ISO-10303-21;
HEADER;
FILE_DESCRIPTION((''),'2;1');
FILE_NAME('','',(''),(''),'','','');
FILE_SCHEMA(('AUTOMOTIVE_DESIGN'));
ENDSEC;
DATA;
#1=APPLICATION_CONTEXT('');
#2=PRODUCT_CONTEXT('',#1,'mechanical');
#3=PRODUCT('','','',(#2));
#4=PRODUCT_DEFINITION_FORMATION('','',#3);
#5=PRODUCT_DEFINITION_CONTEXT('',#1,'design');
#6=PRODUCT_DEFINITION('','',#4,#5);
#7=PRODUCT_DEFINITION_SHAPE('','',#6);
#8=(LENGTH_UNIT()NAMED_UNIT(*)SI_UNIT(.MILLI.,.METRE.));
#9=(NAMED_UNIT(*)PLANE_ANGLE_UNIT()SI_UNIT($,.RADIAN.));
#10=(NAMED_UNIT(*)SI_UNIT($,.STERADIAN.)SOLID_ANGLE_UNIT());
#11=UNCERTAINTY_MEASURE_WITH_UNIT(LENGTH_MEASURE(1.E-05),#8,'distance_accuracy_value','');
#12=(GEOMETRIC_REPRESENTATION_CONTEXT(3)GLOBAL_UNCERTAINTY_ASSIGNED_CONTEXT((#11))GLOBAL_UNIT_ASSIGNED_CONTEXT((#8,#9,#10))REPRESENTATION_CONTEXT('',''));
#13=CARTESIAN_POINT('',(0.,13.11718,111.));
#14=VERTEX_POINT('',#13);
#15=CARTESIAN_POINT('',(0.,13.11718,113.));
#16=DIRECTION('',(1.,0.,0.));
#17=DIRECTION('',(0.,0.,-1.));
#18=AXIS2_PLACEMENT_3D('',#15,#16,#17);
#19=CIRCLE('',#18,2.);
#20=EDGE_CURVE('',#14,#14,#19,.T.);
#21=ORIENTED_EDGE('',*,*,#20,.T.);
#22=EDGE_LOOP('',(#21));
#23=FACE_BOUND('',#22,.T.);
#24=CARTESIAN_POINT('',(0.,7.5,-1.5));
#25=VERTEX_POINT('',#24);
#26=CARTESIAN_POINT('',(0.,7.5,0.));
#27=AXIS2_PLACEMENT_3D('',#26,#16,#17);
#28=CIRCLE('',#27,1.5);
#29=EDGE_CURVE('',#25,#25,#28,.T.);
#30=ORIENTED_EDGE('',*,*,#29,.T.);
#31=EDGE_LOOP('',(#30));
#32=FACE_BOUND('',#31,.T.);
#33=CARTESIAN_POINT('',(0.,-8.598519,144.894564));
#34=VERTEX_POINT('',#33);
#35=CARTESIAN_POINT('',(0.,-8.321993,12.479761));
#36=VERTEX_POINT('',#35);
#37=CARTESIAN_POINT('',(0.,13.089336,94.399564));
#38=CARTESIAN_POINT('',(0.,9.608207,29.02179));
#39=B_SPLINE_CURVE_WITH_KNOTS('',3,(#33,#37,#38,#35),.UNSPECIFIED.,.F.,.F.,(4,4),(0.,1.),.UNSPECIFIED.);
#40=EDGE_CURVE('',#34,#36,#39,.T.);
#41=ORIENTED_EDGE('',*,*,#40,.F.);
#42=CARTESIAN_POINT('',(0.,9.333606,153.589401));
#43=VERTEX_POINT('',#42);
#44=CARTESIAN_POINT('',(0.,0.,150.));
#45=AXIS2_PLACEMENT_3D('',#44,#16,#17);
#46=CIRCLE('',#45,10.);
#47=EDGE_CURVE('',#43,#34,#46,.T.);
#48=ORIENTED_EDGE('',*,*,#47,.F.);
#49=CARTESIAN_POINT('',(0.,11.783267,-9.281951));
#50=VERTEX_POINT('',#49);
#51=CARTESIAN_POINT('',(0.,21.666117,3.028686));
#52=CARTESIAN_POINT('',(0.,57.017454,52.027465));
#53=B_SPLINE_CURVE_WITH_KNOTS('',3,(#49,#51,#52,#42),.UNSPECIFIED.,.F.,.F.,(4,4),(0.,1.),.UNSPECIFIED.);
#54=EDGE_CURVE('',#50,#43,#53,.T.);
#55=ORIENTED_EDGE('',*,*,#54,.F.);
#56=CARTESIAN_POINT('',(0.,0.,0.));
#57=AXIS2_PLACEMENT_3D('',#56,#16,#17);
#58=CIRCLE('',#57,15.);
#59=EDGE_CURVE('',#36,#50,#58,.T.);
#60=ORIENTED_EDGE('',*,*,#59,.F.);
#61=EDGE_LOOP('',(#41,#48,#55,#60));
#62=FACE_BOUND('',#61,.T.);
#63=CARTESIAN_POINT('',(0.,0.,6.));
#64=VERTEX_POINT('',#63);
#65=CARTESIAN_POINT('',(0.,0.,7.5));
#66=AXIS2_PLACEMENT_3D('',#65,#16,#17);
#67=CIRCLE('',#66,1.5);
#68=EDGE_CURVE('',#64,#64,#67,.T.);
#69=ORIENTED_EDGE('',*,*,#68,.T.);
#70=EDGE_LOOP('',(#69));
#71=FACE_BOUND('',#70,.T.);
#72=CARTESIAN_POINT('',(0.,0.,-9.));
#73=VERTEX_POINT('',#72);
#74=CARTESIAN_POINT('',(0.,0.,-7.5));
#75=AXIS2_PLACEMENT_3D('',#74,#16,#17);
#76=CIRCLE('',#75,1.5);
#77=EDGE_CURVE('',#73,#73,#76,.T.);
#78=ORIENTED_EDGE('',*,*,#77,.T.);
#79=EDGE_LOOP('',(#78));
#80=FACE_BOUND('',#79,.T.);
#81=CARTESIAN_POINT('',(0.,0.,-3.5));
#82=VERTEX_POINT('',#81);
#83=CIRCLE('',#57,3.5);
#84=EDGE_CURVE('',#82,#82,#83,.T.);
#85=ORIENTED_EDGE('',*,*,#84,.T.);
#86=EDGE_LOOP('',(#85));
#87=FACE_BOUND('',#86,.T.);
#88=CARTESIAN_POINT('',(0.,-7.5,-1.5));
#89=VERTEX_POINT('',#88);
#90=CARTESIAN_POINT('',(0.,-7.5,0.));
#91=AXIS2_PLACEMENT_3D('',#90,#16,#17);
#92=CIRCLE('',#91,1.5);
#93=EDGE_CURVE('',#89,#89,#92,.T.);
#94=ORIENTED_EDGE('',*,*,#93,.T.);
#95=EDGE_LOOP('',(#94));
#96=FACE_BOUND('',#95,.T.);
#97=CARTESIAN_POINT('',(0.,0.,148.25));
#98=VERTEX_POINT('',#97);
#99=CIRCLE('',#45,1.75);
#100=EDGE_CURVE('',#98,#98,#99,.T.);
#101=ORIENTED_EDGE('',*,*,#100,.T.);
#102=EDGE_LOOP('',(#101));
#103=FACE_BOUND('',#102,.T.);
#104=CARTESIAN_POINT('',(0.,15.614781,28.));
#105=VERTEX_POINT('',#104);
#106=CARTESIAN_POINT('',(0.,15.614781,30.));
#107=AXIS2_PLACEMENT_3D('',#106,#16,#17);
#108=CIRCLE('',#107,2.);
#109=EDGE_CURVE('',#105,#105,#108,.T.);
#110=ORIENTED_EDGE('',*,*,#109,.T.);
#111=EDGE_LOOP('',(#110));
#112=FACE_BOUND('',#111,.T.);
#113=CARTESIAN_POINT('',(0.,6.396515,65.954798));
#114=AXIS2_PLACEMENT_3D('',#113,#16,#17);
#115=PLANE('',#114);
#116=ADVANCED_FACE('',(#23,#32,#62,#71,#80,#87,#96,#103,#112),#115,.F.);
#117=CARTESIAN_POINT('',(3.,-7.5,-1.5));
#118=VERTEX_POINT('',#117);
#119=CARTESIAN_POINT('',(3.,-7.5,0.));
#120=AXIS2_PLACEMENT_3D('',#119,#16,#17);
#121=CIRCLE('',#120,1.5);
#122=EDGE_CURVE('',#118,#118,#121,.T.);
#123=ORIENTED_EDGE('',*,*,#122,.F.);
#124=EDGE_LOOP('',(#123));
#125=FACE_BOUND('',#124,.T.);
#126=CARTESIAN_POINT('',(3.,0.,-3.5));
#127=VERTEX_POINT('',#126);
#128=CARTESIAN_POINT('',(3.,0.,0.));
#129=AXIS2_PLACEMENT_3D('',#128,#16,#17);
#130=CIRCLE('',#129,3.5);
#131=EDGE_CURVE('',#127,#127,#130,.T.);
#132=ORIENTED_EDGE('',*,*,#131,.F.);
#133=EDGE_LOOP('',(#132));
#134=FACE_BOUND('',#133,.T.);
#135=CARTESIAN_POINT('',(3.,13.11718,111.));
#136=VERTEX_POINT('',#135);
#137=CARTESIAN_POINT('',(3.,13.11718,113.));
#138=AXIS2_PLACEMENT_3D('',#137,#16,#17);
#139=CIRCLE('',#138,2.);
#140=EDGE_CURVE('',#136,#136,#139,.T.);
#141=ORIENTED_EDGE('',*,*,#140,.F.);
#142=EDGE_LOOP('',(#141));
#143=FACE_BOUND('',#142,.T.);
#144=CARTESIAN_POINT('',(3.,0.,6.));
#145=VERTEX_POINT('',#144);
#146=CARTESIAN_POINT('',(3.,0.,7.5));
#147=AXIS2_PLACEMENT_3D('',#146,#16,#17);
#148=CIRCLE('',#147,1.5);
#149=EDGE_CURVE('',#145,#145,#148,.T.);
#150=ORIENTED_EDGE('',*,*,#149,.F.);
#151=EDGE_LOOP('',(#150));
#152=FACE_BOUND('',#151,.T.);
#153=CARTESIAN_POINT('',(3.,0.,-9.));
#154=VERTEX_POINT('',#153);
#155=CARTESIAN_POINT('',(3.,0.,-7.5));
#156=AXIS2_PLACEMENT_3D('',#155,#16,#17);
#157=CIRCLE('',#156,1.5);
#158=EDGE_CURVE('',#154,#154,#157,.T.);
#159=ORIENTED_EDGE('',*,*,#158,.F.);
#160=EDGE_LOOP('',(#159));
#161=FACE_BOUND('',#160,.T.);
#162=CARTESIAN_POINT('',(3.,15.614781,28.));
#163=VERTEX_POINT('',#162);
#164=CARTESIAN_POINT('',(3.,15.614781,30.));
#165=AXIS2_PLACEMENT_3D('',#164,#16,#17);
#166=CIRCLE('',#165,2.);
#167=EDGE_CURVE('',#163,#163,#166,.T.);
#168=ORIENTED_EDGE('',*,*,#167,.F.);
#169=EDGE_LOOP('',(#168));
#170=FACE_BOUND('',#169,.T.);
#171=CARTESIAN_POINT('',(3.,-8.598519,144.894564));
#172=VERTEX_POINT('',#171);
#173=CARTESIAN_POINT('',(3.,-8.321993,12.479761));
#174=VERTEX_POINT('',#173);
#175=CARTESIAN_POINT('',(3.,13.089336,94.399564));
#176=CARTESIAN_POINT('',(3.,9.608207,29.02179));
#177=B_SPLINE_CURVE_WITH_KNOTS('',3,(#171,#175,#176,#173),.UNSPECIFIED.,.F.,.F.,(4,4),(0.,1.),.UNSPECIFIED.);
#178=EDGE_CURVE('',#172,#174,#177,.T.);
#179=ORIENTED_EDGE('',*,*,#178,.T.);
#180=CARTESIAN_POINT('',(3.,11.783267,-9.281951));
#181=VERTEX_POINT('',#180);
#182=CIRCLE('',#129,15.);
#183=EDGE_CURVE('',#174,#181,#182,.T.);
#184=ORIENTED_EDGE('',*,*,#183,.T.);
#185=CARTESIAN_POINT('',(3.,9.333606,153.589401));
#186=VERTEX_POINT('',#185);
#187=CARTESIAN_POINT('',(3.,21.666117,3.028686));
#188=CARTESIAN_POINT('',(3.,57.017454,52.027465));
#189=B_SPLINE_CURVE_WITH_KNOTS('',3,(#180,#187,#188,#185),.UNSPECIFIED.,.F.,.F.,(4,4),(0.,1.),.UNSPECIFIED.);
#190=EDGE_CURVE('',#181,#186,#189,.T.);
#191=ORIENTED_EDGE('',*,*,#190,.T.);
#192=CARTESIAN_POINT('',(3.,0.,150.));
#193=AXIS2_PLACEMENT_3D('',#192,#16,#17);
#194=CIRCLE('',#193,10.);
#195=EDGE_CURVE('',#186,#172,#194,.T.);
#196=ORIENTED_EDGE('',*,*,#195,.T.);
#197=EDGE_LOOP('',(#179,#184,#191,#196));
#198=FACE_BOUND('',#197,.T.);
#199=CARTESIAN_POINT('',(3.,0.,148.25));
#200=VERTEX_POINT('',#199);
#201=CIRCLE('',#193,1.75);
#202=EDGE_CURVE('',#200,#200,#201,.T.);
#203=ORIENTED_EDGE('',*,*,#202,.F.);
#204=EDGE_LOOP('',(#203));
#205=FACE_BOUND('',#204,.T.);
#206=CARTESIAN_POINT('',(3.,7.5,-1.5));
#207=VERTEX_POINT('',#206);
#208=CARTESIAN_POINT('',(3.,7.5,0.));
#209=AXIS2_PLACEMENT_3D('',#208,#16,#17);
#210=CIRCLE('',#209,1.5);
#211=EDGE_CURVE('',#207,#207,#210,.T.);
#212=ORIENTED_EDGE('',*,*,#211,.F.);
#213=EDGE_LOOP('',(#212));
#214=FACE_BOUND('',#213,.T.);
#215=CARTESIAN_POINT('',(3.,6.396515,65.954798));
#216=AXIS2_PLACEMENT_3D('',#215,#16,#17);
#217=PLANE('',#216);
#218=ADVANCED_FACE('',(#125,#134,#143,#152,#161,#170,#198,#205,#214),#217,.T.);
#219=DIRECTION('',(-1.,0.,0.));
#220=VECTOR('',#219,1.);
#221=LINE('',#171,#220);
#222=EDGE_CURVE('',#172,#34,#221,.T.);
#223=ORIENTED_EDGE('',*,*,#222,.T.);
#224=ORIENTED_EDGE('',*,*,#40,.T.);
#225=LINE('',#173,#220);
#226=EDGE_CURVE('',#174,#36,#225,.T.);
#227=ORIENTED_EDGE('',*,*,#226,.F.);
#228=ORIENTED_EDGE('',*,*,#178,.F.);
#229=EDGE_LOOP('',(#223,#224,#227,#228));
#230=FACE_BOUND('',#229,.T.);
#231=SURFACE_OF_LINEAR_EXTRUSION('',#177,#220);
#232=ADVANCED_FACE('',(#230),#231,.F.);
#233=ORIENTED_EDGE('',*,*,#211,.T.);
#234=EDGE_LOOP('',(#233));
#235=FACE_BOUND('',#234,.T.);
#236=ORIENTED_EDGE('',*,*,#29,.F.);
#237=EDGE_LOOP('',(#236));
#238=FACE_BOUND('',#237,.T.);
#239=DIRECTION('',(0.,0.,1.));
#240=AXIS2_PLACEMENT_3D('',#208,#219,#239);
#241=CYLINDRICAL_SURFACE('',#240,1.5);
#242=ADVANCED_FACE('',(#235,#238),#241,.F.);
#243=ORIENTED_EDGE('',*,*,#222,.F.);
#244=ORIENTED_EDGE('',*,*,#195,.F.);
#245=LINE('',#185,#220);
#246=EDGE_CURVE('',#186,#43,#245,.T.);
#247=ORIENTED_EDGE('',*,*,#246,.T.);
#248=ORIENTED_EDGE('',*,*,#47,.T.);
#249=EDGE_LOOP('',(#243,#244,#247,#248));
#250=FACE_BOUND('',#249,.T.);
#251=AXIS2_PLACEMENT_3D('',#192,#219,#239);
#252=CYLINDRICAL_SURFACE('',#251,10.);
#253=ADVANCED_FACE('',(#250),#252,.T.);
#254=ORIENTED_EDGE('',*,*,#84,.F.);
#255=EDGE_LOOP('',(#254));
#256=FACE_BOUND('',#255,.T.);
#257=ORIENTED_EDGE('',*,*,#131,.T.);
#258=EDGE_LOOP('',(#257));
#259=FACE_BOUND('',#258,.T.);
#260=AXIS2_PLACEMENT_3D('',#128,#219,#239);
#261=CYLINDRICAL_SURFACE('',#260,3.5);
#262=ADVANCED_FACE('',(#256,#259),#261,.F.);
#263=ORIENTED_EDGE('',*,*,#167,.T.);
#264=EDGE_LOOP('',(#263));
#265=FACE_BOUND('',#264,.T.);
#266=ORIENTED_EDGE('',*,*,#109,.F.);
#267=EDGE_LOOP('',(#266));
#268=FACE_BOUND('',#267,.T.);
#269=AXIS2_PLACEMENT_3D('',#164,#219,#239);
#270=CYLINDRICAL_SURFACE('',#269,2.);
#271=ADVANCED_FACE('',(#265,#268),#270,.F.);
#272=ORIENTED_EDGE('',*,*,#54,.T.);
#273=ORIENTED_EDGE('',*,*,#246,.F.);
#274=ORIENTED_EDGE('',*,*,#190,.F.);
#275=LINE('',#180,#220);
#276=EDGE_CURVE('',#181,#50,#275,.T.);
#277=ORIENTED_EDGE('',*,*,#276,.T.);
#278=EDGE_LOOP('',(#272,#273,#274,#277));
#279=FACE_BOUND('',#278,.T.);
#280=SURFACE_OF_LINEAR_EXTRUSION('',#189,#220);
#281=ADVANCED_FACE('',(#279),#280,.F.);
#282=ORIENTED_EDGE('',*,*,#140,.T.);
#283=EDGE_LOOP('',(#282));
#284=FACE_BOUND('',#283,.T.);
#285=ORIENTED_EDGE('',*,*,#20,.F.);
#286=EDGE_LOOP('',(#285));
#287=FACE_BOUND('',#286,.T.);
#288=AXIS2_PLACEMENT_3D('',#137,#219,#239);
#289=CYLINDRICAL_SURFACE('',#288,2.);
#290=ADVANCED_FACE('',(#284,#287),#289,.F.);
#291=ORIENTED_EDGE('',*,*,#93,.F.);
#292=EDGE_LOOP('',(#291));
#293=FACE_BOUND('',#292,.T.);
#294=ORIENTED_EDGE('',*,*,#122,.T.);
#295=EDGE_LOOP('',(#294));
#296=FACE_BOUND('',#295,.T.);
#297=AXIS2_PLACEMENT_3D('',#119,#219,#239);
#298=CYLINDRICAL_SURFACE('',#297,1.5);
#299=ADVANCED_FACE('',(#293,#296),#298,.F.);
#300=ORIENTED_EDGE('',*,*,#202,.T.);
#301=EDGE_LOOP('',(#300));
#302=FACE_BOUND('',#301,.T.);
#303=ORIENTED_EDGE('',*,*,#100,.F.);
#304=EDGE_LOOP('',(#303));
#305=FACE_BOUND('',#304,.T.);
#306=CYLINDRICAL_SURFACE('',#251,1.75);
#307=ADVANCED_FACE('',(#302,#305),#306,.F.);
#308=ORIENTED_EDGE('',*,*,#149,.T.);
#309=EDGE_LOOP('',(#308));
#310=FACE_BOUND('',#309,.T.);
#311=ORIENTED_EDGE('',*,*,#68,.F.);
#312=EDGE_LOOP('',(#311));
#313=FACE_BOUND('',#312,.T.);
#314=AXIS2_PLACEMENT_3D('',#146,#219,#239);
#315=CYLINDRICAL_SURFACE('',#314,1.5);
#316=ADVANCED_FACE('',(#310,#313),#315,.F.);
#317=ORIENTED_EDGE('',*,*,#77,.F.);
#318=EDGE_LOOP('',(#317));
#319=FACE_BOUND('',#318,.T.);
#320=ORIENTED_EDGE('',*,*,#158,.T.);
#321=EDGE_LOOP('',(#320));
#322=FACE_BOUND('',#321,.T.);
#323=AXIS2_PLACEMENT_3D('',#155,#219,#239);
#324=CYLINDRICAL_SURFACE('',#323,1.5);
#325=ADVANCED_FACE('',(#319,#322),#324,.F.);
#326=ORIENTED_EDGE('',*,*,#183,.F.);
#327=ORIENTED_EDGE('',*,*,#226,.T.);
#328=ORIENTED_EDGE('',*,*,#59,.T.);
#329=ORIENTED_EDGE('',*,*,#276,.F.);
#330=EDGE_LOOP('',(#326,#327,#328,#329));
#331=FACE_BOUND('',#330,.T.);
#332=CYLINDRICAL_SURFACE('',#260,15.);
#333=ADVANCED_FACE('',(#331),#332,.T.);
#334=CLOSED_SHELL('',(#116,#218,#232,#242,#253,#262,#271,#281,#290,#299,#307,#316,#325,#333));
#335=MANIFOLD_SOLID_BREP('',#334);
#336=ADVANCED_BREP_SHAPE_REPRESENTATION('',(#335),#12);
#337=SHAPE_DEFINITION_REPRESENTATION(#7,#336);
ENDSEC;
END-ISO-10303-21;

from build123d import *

# Parameters (mm, degrees)
CROQUIS1_R              = 1.75
CROQUIS1_R_2            = 3.5
CROQUIS1_R_3            = 2
CROQUIS1_R_4            = 1.5
SALIENTE_EXTRUIR1_DEPTH = 3


with BuildPart() as part:
    # Croquis1 → Saliente-Extruir1 (new body)
    with BuildSketch(Plane(origin=(0, 0, 0), x_dir=(0, 0, -1), z_dir=(1, 0, 0))):
        with BuildLine():
            ThreePointArc((-12.479760771, -8.321993217), (10.178991806, -11.017627957), (9.281950646, 11.783267467))
            add(Edge.make_bspline(
                [(-153.589400871, 9.333606023), (-52.027464553, 57.017454048), (-3.028685523, 21.666117386), (9.281950646, 11.783267467)],
                knots=[0, 0, 0, 0, 1, 1, 1, 1], degree=3))
            ThreePointArc((-153.589400871, 9.333606023), (-158.998047864, -4.362927301), (-144.894564169, -8.598518767))
            add(Edge.make_bspline(
                [(-144.894564169, -8.598518767), (-94.399563679, 13.089335746), (-29.021790265, 9.608207487), (-12.479760771, -8.321993217)],
                knots=[0, 0, 0, 0, 1, 1, 1, 1], degree=3))
        make_face()
        with Locations((-150, 0)):
            Circle(CROQUIS1_R, mode=Mode.SUBTRACT)
        Circle(CROQUIS1_R_2, mode=Mode.SUBTRACT)
        with Locations((-113, 13.11718)):
            Circle(CROQUIS1_R_3, mode=Mode.SUBTRACT)
        with Locations((-30, 15.614781046)):
            Circle(CROQUIS1_R_3, mode=Mode.SUBTRACT)
        with Locations((-7.5, 0)):
            Circle(CROQUIS1_R_4, mode=Mode.SUBTRACT)
        with Locations((0, -7.5)):
            Circle(CROQUIS1_R_4, mode=Mode.SUBTRACT)
        with Locations((0, 7.5)):
            Circle(CROQUIS1_R_4, mode=Mode.SUBTRACT)
        with Locations((7.5, 0)):
            Circle(CROQUIS1_R_4, mode=Mode.SUBTRACT)
    extrude(amount=SALIENTE_EXTRUIR1_DEPTH)


solid = part.part
